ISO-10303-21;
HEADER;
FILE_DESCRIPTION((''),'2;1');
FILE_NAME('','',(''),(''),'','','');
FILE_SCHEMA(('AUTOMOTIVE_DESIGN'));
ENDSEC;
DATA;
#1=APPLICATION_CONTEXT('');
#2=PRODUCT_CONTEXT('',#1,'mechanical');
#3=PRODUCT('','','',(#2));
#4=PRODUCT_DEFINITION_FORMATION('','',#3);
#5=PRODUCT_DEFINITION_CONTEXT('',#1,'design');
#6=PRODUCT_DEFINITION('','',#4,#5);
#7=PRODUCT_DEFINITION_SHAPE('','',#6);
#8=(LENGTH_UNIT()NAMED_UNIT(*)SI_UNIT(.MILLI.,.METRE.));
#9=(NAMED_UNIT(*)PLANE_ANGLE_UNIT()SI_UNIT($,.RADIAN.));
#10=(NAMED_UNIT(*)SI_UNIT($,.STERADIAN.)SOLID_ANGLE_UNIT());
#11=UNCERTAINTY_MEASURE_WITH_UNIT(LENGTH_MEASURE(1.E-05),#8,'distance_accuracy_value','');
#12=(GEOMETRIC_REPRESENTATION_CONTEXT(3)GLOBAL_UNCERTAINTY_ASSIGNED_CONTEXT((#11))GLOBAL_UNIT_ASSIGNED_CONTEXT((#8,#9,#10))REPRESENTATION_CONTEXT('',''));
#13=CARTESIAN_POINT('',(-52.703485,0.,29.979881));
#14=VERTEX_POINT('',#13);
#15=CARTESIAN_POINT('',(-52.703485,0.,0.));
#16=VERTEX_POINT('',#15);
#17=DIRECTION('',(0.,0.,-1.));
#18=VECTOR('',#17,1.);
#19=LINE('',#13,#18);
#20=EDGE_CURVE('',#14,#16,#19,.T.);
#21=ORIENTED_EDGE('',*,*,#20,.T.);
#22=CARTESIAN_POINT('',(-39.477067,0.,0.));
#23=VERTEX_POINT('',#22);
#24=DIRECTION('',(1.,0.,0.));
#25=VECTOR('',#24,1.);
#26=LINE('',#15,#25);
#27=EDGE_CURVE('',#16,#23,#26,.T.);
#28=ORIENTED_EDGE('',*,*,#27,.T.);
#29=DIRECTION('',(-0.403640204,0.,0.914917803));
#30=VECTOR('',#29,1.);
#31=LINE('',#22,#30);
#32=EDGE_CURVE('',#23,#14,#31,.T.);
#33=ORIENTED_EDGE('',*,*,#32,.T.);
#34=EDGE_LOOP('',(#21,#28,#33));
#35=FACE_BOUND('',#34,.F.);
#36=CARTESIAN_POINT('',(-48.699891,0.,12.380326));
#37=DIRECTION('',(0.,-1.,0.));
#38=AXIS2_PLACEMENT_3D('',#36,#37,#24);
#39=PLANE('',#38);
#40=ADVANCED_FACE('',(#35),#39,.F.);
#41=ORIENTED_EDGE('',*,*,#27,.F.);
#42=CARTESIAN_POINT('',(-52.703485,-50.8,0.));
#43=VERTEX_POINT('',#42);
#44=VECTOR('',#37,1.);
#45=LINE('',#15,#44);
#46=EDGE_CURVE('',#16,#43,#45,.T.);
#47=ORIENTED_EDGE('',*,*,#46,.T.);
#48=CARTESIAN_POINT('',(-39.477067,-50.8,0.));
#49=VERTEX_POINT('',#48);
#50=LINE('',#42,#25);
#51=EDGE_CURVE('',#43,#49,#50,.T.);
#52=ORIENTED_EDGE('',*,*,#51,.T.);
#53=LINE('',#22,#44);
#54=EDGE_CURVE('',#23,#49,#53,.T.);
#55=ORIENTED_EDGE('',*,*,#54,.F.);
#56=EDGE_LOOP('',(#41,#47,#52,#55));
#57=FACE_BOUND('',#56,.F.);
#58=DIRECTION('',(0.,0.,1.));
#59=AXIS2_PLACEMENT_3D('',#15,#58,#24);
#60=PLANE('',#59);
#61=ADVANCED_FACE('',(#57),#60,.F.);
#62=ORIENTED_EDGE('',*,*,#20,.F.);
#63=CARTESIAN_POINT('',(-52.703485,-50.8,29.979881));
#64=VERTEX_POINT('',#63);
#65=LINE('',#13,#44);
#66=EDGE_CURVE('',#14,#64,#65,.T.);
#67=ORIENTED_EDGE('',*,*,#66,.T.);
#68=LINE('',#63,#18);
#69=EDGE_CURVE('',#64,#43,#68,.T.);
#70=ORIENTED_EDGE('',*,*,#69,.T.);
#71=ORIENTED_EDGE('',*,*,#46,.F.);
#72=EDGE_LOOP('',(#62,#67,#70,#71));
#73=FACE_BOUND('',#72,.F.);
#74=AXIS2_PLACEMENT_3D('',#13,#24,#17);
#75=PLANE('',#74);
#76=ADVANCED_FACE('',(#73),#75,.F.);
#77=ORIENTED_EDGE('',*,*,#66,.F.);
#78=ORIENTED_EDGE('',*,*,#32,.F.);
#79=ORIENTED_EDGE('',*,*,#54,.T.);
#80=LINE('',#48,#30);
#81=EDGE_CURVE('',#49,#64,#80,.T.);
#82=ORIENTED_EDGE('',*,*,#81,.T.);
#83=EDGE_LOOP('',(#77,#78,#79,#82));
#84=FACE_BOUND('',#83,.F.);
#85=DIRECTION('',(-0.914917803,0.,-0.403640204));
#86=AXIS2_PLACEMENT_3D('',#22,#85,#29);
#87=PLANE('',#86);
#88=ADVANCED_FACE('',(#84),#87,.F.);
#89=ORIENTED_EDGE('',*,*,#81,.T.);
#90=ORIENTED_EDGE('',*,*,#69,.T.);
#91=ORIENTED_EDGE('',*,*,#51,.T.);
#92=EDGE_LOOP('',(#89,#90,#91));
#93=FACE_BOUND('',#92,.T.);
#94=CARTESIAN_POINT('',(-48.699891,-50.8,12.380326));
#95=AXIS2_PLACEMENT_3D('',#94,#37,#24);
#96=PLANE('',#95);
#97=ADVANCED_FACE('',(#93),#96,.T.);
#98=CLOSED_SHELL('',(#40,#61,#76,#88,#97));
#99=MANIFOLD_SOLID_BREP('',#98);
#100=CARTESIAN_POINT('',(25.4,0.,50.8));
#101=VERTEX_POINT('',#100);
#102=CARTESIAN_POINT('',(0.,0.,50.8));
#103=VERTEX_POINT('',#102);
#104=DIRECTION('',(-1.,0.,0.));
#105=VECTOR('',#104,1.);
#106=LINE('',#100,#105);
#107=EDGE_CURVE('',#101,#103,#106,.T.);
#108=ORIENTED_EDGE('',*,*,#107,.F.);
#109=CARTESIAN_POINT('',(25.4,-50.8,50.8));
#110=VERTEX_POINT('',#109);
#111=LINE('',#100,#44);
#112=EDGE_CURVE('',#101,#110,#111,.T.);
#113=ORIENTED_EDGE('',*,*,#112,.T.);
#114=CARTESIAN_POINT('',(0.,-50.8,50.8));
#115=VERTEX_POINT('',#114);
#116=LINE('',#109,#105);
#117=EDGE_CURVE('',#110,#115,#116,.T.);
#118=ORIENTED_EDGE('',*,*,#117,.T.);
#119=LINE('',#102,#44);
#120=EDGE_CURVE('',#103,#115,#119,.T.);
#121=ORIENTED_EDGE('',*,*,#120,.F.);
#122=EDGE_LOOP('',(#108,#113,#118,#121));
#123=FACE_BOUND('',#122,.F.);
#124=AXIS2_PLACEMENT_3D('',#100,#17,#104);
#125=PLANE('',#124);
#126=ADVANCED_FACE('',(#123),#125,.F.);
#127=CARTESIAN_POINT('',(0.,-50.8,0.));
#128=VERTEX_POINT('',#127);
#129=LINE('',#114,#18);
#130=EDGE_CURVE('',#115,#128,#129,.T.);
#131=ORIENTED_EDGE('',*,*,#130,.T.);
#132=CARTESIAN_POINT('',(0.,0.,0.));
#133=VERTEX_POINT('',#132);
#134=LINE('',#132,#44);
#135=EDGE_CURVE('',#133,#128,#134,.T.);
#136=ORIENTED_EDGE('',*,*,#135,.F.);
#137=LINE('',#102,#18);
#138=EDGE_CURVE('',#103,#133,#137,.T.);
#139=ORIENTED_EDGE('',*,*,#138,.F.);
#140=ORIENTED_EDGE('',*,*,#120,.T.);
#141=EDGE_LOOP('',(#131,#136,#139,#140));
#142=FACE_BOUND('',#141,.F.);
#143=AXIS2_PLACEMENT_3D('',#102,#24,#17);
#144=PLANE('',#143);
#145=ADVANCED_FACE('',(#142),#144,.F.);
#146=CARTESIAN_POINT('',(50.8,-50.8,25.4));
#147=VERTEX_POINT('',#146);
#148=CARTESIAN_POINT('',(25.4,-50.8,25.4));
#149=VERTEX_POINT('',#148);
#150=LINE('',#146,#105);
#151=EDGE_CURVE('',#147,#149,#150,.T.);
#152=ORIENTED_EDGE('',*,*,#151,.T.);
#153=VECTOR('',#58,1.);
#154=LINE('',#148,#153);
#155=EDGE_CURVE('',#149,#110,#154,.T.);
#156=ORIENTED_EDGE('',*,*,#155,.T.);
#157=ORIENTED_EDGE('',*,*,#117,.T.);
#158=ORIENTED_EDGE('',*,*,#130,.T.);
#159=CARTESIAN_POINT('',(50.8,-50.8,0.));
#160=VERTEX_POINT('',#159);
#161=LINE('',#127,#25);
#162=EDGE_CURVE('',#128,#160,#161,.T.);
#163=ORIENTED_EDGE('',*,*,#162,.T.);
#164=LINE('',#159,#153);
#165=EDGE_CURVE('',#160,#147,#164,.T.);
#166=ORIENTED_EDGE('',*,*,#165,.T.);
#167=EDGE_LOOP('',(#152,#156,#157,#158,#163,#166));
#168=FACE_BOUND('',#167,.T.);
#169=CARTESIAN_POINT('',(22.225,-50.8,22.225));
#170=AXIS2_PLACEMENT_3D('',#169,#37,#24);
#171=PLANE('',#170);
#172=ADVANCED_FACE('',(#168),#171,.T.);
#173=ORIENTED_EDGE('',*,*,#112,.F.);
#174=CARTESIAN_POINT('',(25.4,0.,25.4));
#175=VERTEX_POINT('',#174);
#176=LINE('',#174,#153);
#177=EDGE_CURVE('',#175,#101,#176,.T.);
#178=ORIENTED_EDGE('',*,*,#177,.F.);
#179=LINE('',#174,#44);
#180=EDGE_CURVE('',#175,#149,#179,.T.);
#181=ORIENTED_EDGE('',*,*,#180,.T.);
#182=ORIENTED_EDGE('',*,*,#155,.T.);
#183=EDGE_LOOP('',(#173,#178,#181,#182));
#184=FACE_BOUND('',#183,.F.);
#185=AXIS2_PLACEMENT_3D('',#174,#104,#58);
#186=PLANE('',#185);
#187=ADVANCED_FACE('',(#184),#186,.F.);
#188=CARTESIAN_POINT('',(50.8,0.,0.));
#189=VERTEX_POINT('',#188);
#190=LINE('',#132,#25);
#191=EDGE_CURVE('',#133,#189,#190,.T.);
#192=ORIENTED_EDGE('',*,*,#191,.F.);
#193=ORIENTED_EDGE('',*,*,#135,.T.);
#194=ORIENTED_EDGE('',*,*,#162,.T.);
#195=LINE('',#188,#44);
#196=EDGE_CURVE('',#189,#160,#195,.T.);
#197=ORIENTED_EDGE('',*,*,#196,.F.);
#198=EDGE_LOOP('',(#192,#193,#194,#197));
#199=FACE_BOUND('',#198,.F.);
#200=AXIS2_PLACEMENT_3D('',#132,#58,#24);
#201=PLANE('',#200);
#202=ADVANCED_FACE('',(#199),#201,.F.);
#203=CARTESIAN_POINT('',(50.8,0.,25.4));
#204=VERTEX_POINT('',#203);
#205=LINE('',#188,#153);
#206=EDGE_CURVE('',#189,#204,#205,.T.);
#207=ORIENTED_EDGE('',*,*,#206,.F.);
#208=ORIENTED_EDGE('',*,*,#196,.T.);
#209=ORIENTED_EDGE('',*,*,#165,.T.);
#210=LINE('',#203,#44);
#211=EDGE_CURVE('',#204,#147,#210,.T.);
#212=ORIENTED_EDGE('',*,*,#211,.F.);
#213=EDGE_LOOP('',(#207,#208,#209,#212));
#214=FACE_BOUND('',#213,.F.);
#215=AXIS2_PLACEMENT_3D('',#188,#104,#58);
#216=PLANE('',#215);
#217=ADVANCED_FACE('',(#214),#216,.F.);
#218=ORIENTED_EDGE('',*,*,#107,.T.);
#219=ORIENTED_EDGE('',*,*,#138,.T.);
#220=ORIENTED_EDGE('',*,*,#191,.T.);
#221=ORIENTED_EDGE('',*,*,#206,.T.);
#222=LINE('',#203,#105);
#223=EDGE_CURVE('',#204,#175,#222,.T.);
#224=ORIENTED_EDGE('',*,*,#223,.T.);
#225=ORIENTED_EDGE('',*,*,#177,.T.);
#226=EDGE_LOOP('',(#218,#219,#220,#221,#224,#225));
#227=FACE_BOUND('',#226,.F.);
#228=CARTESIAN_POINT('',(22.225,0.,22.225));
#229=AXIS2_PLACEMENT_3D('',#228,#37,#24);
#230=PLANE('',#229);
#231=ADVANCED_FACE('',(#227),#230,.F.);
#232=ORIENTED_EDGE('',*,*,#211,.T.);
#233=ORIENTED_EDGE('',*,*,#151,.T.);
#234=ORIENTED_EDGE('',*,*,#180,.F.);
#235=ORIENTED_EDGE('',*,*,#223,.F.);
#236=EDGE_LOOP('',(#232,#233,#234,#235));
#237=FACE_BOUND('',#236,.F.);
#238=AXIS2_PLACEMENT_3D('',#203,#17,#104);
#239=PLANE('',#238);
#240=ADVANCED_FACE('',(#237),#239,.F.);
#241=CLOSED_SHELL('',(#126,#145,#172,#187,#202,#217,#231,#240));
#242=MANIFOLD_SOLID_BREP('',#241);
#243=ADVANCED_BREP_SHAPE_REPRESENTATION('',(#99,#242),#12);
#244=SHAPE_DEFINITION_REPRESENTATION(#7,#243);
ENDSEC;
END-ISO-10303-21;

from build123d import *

# Parameters (mm, degrees)
F1_DEPTH = 50.8


with BuildPart() as f1:
    # F0 (on Front) → F1 (new body)
    with BuildSketch(Plane.XZ):
        Polygon((-52.703485, 0), (-39.477067, 0), (-52.703485, 29.979881), align=None)
        Polygon((0, 50.8), (0, 0), (50.8, 0), (50.8, 25.4), (25.4, 25.4), (25.4, 50.8), align=None)
    extrude(amount=F1_DEPTH)


solid = f1.part
